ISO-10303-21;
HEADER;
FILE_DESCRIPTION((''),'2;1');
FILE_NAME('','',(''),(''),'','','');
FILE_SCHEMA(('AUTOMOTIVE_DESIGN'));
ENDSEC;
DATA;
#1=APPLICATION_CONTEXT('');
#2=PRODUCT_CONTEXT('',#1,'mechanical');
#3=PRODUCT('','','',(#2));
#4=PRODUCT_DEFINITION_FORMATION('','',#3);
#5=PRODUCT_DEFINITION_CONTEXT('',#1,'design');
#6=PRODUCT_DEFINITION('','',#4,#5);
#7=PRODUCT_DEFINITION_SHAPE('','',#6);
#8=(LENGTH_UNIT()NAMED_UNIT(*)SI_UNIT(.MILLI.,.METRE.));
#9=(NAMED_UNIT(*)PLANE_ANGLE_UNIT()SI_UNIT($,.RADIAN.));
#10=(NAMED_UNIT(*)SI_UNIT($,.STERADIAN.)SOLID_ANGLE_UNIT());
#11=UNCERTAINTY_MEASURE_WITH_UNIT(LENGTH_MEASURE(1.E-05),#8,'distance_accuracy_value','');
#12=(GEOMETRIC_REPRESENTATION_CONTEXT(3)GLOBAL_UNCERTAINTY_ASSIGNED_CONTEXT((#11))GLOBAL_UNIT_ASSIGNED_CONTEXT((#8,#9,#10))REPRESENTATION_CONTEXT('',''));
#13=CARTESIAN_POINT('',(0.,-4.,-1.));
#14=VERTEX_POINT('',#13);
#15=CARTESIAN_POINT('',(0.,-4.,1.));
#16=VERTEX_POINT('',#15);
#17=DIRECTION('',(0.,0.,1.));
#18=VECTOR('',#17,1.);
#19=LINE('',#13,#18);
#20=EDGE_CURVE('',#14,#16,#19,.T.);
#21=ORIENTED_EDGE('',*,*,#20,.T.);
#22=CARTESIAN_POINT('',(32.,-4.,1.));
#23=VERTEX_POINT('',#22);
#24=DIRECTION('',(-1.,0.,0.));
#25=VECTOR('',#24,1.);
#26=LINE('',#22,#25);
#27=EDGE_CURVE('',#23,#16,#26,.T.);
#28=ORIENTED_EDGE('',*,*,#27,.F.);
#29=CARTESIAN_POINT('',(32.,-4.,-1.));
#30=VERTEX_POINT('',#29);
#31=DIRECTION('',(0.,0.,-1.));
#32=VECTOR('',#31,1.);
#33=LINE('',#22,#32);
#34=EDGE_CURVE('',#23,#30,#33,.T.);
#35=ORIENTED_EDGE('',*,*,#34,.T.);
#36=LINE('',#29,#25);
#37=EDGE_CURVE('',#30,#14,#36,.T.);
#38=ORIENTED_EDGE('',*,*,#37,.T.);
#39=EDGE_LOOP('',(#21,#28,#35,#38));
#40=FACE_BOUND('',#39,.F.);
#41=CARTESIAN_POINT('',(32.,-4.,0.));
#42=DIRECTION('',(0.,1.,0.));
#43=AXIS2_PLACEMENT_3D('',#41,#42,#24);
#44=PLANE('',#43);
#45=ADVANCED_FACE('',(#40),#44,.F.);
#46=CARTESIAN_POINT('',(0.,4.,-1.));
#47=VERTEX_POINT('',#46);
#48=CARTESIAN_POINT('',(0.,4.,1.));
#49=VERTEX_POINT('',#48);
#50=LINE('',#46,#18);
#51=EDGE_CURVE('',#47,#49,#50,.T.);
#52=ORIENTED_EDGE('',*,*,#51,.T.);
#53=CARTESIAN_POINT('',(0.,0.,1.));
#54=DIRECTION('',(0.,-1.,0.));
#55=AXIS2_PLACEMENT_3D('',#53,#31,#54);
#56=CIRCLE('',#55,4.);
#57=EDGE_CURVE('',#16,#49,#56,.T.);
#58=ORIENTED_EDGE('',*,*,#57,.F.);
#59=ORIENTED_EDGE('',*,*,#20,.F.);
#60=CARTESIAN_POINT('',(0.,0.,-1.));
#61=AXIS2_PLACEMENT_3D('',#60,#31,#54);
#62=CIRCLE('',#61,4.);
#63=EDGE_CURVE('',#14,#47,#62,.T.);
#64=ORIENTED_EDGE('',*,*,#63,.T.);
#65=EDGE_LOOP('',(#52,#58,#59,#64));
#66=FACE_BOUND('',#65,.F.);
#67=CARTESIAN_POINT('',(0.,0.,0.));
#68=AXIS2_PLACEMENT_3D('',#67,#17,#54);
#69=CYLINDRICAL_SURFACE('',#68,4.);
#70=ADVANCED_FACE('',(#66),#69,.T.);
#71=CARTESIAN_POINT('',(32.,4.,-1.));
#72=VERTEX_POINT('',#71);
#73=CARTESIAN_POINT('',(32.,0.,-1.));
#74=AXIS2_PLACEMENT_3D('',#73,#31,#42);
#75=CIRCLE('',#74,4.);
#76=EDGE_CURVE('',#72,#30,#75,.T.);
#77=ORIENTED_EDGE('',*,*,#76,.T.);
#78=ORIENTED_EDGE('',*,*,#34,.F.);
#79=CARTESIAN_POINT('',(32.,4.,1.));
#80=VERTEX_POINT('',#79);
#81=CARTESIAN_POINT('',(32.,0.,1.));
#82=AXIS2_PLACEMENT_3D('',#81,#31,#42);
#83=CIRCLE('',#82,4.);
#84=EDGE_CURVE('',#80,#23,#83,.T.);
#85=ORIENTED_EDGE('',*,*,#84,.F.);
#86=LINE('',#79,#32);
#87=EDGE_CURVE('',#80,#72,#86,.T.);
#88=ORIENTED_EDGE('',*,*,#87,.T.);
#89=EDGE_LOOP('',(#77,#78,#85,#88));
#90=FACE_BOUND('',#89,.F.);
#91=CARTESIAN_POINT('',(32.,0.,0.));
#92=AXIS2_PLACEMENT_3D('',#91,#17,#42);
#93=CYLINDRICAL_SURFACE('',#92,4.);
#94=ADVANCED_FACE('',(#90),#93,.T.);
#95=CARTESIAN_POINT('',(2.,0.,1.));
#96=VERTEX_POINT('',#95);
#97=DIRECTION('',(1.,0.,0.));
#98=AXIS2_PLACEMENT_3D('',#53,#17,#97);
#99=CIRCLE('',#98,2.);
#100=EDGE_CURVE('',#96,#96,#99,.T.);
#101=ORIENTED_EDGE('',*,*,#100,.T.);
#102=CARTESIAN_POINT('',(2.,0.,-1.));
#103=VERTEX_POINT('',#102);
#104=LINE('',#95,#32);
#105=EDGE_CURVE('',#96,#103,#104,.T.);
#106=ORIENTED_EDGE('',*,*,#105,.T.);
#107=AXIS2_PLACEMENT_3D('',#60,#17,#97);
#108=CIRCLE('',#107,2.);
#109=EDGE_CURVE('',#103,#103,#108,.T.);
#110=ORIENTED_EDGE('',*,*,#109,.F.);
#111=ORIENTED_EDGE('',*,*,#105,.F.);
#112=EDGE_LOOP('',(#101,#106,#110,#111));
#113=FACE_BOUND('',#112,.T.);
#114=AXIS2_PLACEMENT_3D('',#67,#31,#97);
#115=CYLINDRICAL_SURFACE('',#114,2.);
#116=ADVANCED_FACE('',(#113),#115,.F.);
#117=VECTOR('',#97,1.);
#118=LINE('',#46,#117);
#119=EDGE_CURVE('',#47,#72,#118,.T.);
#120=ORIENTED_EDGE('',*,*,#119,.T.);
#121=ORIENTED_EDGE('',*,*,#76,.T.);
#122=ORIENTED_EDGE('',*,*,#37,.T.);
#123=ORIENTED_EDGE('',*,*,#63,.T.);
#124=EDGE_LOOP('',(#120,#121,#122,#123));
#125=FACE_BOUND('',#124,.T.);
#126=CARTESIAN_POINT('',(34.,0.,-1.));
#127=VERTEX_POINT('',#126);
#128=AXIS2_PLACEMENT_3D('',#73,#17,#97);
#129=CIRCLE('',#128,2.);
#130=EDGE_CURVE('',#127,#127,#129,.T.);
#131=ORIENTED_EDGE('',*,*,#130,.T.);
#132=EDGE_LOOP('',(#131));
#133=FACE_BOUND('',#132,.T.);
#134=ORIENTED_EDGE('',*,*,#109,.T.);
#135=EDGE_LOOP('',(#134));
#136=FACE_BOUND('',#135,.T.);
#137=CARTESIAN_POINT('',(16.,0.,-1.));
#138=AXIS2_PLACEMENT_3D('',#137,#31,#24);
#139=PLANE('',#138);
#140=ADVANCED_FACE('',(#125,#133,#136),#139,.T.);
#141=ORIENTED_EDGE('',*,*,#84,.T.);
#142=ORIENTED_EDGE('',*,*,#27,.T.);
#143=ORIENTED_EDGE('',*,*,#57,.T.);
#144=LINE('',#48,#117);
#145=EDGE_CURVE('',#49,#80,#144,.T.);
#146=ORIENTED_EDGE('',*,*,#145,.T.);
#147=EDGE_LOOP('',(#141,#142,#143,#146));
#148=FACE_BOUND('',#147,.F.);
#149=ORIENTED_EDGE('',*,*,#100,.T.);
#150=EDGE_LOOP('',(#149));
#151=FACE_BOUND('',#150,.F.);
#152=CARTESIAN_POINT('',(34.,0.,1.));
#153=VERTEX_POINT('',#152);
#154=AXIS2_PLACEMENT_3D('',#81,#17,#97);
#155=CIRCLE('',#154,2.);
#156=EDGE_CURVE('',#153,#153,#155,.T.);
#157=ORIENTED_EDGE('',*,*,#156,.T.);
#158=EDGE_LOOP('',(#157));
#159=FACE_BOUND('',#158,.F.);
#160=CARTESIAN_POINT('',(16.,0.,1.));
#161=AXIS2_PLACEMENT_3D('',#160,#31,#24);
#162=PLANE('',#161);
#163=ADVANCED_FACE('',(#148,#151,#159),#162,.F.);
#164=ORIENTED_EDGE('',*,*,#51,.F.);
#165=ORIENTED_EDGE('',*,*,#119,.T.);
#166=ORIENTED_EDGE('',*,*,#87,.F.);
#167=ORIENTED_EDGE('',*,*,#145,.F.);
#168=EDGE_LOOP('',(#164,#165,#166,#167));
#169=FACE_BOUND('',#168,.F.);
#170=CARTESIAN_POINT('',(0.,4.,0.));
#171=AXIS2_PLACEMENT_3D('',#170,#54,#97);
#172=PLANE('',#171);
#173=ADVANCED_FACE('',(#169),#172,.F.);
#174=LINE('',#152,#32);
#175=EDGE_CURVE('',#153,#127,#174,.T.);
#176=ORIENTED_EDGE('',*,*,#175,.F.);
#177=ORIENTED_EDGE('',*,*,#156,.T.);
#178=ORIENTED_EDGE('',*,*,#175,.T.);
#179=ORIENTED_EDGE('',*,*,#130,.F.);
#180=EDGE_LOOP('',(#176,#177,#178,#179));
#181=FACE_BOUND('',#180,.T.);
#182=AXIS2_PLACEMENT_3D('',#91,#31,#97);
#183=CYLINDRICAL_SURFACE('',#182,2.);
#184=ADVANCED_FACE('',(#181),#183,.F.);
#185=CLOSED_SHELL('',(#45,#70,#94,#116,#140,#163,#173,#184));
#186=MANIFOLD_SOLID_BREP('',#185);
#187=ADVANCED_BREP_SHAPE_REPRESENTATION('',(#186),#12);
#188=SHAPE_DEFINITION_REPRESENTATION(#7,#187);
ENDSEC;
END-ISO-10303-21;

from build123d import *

# Parameters (mm, degrees)
SKETCH1_R           = 2
BOSS_EXTRUDE1_DEPTH = 1


with BuildPart() as part:
    # Sketch1 → Boss-Extrude1 (new body, symmetric)
    with BuildSketch(Plane.XY):
        with BuildLine():
            Line((0, 4), (32, 4))
            ThreePointArc((32, 4), (36, 0), (32, -4))
            Line((32, -4), (0, -4))
            ThreePointArc((0, -4), (-4, 0), (0, 4))
        make_face()
        Circle(SKETCH1_R, mode=Mode.SUBTRACT)
        with Locations((32, 0)):
            Circle(SKETCH1_R, mode=Mode.SUBTRACT)
    extrude(amount=BOSS_EXTRUDE1_DEPTH, both=True)


solid = part.part
